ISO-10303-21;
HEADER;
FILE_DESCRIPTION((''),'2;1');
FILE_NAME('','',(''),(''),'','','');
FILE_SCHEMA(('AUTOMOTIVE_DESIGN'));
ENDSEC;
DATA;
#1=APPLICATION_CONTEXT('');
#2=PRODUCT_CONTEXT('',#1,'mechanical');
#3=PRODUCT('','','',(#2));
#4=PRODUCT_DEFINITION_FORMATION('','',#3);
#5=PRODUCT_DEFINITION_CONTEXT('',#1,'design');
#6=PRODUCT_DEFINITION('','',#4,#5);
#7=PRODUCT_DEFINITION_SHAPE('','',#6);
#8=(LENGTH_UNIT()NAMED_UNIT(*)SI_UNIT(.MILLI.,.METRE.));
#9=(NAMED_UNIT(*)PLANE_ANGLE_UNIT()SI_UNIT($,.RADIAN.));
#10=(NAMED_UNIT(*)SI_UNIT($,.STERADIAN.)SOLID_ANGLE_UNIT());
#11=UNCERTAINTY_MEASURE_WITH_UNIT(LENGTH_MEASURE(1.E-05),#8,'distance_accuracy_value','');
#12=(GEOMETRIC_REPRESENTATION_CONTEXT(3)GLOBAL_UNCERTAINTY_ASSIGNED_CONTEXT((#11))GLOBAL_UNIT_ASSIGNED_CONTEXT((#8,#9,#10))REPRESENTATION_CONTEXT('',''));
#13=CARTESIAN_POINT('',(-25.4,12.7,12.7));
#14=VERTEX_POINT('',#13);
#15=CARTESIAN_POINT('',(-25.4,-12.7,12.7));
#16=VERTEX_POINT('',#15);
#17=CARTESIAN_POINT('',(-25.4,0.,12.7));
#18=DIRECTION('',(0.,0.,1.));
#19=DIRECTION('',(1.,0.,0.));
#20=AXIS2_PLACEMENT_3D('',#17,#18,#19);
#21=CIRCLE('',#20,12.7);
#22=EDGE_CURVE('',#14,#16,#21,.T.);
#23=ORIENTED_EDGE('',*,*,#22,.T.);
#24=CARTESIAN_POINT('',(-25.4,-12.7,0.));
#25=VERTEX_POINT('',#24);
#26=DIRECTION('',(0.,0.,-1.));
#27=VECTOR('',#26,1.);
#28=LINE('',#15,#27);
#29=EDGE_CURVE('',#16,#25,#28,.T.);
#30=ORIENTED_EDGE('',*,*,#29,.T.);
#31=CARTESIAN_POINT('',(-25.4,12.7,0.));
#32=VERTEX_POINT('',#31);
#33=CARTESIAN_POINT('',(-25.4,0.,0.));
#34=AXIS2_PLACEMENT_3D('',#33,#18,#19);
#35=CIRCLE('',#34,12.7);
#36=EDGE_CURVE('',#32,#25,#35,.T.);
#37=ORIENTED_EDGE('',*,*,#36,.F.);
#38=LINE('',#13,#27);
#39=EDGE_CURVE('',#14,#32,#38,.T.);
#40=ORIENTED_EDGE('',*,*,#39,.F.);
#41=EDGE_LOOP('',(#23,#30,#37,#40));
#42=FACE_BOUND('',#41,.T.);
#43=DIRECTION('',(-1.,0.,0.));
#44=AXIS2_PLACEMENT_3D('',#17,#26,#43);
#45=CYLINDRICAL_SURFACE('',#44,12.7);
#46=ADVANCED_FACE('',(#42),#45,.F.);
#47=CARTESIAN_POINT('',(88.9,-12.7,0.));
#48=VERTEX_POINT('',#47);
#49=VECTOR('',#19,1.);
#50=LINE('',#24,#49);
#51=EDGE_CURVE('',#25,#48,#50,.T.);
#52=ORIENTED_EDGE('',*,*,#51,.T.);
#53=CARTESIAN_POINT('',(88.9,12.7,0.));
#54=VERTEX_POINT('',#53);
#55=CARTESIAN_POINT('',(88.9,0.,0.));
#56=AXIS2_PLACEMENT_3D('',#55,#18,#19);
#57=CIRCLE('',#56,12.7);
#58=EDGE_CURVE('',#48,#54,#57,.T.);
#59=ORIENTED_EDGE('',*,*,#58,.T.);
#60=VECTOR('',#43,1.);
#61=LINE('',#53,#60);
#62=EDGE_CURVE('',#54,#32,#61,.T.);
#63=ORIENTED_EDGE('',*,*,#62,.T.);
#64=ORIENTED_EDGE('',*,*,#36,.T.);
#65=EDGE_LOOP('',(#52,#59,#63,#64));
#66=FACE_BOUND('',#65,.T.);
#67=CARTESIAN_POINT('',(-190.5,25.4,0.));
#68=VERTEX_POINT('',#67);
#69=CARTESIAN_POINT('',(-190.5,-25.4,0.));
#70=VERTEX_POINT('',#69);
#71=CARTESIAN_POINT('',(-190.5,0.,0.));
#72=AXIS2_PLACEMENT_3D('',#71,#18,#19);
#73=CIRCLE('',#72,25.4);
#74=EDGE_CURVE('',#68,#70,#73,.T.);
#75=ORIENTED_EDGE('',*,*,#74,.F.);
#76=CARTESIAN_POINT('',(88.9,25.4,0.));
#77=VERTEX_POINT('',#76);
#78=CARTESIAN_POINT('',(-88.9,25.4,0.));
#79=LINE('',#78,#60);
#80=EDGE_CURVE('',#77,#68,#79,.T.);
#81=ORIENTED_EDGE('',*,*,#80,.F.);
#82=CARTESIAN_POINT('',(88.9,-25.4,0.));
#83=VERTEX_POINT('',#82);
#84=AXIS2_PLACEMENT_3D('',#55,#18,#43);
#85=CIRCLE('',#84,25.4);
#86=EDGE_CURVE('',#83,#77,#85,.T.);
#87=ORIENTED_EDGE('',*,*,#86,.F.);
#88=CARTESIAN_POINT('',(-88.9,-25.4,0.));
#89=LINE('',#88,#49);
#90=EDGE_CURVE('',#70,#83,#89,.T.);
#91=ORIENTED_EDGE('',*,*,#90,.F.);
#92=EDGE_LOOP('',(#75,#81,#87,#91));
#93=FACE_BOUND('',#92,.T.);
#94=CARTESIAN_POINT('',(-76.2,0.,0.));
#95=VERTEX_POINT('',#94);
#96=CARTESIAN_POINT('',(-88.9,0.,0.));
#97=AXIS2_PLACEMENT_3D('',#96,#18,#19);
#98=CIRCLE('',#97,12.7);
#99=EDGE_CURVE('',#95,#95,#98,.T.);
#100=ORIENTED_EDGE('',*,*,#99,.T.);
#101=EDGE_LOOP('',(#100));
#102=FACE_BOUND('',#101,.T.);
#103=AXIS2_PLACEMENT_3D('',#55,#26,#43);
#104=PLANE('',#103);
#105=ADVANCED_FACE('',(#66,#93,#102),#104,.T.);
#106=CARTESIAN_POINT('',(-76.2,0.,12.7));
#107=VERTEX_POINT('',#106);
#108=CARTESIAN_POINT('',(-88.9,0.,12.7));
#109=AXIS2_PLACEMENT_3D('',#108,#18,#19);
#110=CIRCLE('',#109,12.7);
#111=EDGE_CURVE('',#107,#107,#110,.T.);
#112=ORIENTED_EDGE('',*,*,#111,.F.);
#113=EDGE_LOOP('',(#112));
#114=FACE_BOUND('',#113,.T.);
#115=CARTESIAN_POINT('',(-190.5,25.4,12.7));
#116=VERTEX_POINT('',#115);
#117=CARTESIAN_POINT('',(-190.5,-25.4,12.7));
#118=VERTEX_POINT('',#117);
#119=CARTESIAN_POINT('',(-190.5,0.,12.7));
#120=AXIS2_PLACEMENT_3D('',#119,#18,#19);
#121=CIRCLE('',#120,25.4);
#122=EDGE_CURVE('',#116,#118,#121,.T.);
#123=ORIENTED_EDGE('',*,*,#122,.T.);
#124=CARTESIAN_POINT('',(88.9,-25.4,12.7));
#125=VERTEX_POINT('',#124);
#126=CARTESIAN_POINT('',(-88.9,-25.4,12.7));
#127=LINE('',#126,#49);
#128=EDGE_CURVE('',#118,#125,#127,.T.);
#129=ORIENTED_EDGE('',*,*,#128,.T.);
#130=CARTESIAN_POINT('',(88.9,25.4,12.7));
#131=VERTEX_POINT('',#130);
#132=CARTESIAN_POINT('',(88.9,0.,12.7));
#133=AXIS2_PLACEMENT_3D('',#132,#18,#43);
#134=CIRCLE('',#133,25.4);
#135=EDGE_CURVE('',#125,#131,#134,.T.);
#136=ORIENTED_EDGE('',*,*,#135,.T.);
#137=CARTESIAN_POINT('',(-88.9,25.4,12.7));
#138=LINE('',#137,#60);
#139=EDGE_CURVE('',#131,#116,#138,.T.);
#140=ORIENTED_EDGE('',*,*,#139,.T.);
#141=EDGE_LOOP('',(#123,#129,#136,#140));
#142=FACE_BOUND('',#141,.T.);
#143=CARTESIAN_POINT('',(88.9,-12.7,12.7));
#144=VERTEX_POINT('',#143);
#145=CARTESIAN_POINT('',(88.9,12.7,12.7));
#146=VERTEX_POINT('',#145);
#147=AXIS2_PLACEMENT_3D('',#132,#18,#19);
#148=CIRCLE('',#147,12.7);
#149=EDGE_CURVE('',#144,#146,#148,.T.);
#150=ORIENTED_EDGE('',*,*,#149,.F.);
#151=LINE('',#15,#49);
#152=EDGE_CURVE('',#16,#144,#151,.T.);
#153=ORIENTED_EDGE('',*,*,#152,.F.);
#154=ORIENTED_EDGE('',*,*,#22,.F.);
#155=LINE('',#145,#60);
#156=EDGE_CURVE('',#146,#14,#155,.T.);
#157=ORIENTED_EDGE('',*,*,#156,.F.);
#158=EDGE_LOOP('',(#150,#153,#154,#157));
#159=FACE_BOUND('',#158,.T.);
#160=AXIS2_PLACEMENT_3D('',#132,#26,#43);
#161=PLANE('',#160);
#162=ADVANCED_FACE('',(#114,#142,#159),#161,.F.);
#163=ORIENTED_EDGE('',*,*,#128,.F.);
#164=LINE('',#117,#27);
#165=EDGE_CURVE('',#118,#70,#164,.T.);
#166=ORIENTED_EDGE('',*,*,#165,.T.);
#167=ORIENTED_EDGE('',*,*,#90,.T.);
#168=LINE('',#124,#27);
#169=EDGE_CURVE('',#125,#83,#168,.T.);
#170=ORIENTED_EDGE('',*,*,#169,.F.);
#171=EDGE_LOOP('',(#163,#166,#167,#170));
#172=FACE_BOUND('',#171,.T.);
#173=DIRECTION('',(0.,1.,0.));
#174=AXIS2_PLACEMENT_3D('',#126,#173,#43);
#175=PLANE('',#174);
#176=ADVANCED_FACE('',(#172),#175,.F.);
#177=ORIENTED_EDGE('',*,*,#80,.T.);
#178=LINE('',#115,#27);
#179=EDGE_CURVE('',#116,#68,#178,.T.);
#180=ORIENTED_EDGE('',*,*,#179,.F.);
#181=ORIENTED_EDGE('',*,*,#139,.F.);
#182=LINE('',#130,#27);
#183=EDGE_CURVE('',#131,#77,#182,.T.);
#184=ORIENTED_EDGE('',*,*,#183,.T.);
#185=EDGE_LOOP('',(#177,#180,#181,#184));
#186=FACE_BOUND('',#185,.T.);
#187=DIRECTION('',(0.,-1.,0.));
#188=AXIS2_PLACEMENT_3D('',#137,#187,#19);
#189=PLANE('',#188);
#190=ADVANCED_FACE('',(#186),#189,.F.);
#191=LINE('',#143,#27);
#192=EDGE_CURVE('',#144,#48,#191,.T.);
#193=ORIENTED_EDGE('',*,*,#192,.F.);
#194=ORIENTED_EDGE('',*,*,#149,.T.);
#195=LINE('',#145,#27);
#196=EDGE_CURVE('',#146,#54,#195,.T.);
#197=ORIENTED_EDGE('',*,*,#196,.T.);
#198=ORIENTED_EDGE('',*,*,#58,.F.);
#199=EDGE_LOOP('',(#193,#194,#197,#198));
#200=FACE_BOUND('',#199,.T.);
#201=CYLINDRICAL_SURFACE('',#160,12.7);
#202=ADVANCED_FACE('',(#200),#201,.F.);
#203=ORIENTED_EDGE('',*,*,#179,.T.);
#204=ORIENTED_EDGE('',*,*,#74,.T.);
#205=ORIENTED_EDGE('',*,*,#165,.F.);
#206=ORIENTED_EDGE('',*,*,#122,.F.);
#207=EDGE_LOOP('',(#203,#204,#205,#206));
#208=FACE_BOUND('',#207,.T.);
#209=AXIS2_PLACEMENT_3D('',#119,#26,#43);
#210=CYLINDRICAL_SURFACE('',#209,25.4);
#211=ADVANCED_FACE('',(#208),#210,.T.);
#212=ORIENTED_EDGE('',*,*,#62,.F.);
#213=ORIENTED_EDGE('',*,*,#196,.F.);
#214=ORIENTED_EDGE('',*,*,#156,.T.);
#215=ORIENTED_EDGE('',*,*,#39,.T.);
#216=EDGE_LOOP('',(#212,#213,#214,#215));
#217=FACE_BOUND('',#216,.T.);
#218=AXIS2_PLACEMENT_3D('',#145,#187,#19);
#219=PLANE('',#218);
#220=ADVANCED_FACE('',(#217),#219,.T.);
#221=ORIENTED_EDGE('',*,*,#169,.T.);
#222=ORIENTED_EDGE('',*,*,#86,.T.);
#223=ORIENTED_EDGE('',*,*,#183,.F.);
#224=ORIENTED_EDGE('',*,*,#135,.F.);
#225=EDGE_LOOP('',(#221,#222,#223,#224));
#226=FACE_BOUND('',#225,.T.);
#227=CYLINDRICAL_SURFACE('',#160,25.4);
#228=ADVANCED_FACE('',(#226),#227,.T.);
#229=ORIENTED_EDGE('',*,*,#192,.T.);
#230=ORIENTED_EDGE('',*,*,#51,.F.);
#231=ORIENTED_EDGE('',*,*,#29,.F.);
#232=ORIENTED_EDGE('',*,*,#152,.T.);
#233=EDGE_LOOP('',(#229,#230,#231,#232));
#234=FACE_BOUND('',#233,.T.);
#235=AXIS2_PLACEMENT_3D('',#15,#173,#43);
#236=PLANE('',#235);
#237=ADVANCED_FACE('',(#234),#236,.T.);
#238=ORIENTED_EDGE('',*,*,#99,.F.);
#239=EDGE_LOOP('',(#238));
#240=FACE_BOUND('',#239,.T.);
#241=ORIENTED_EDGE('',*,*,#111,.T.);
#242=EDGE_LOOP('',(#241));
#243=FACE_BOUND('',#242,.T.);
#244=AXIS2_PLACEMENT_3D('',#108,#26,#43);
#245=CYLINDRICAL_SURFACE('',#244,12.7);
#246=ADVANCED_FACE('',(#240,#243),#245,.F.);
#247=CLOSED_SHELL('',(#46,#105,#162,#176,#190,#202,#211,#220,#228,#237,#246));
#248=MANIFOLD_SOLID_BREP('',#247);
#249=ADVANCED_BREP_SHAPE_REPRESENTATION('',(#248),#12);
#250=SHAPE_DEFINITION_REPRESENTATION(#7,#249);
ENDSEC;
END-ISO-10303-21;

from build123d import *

# Parameters (mm, degrees)
SKETCH1_R           = 12.7
BOSS_EXTRUDE1_DEPTH = 12.7


with BuildPart() as part:
    # Sketch1 → Boss-Extrude1 (new body)
    with BuildSketch(Plane.XY):
        with BuildLine():
            Line((-88.9, 25.4), (88.9, 25.4))
            ThreePointArc((88.9, 25.4), (114.3, 0), (88.9, -25.4))
            Line((88.9, -25.4), (-88.9, -25.4))
            Line((-88.9, -25.4), (-190.5, -25.4))
            ThreePointArc((-190.5, -25.4), (-215.9, 0), (-190.5, 25.4))
            Line((-190.5, 25.4), (-88.9, 25.4))
        make_face()
        with Locations((-88.9, 0)):
            Circle(SKETCH1_R, mode=Mode.SUBTRACT)
        with BuildLine():
            Line((88.9, 12.7), (-25.4, 12.7))
            ThreePointArc((-25.4, 12.7), (-38.1, 0), (-25.4, -12.7))
            Line((-25.4, -12.7), (88.9, -12.7))
            ThreePointArc((88.9, -12.7), (101.6, 0), (88.9, 12.7))
        make_face(mode=Mode.SUBTRACT)
    extrude(amount=BOSS_EXTRUDE1_DEPTH)


solid = part.part
